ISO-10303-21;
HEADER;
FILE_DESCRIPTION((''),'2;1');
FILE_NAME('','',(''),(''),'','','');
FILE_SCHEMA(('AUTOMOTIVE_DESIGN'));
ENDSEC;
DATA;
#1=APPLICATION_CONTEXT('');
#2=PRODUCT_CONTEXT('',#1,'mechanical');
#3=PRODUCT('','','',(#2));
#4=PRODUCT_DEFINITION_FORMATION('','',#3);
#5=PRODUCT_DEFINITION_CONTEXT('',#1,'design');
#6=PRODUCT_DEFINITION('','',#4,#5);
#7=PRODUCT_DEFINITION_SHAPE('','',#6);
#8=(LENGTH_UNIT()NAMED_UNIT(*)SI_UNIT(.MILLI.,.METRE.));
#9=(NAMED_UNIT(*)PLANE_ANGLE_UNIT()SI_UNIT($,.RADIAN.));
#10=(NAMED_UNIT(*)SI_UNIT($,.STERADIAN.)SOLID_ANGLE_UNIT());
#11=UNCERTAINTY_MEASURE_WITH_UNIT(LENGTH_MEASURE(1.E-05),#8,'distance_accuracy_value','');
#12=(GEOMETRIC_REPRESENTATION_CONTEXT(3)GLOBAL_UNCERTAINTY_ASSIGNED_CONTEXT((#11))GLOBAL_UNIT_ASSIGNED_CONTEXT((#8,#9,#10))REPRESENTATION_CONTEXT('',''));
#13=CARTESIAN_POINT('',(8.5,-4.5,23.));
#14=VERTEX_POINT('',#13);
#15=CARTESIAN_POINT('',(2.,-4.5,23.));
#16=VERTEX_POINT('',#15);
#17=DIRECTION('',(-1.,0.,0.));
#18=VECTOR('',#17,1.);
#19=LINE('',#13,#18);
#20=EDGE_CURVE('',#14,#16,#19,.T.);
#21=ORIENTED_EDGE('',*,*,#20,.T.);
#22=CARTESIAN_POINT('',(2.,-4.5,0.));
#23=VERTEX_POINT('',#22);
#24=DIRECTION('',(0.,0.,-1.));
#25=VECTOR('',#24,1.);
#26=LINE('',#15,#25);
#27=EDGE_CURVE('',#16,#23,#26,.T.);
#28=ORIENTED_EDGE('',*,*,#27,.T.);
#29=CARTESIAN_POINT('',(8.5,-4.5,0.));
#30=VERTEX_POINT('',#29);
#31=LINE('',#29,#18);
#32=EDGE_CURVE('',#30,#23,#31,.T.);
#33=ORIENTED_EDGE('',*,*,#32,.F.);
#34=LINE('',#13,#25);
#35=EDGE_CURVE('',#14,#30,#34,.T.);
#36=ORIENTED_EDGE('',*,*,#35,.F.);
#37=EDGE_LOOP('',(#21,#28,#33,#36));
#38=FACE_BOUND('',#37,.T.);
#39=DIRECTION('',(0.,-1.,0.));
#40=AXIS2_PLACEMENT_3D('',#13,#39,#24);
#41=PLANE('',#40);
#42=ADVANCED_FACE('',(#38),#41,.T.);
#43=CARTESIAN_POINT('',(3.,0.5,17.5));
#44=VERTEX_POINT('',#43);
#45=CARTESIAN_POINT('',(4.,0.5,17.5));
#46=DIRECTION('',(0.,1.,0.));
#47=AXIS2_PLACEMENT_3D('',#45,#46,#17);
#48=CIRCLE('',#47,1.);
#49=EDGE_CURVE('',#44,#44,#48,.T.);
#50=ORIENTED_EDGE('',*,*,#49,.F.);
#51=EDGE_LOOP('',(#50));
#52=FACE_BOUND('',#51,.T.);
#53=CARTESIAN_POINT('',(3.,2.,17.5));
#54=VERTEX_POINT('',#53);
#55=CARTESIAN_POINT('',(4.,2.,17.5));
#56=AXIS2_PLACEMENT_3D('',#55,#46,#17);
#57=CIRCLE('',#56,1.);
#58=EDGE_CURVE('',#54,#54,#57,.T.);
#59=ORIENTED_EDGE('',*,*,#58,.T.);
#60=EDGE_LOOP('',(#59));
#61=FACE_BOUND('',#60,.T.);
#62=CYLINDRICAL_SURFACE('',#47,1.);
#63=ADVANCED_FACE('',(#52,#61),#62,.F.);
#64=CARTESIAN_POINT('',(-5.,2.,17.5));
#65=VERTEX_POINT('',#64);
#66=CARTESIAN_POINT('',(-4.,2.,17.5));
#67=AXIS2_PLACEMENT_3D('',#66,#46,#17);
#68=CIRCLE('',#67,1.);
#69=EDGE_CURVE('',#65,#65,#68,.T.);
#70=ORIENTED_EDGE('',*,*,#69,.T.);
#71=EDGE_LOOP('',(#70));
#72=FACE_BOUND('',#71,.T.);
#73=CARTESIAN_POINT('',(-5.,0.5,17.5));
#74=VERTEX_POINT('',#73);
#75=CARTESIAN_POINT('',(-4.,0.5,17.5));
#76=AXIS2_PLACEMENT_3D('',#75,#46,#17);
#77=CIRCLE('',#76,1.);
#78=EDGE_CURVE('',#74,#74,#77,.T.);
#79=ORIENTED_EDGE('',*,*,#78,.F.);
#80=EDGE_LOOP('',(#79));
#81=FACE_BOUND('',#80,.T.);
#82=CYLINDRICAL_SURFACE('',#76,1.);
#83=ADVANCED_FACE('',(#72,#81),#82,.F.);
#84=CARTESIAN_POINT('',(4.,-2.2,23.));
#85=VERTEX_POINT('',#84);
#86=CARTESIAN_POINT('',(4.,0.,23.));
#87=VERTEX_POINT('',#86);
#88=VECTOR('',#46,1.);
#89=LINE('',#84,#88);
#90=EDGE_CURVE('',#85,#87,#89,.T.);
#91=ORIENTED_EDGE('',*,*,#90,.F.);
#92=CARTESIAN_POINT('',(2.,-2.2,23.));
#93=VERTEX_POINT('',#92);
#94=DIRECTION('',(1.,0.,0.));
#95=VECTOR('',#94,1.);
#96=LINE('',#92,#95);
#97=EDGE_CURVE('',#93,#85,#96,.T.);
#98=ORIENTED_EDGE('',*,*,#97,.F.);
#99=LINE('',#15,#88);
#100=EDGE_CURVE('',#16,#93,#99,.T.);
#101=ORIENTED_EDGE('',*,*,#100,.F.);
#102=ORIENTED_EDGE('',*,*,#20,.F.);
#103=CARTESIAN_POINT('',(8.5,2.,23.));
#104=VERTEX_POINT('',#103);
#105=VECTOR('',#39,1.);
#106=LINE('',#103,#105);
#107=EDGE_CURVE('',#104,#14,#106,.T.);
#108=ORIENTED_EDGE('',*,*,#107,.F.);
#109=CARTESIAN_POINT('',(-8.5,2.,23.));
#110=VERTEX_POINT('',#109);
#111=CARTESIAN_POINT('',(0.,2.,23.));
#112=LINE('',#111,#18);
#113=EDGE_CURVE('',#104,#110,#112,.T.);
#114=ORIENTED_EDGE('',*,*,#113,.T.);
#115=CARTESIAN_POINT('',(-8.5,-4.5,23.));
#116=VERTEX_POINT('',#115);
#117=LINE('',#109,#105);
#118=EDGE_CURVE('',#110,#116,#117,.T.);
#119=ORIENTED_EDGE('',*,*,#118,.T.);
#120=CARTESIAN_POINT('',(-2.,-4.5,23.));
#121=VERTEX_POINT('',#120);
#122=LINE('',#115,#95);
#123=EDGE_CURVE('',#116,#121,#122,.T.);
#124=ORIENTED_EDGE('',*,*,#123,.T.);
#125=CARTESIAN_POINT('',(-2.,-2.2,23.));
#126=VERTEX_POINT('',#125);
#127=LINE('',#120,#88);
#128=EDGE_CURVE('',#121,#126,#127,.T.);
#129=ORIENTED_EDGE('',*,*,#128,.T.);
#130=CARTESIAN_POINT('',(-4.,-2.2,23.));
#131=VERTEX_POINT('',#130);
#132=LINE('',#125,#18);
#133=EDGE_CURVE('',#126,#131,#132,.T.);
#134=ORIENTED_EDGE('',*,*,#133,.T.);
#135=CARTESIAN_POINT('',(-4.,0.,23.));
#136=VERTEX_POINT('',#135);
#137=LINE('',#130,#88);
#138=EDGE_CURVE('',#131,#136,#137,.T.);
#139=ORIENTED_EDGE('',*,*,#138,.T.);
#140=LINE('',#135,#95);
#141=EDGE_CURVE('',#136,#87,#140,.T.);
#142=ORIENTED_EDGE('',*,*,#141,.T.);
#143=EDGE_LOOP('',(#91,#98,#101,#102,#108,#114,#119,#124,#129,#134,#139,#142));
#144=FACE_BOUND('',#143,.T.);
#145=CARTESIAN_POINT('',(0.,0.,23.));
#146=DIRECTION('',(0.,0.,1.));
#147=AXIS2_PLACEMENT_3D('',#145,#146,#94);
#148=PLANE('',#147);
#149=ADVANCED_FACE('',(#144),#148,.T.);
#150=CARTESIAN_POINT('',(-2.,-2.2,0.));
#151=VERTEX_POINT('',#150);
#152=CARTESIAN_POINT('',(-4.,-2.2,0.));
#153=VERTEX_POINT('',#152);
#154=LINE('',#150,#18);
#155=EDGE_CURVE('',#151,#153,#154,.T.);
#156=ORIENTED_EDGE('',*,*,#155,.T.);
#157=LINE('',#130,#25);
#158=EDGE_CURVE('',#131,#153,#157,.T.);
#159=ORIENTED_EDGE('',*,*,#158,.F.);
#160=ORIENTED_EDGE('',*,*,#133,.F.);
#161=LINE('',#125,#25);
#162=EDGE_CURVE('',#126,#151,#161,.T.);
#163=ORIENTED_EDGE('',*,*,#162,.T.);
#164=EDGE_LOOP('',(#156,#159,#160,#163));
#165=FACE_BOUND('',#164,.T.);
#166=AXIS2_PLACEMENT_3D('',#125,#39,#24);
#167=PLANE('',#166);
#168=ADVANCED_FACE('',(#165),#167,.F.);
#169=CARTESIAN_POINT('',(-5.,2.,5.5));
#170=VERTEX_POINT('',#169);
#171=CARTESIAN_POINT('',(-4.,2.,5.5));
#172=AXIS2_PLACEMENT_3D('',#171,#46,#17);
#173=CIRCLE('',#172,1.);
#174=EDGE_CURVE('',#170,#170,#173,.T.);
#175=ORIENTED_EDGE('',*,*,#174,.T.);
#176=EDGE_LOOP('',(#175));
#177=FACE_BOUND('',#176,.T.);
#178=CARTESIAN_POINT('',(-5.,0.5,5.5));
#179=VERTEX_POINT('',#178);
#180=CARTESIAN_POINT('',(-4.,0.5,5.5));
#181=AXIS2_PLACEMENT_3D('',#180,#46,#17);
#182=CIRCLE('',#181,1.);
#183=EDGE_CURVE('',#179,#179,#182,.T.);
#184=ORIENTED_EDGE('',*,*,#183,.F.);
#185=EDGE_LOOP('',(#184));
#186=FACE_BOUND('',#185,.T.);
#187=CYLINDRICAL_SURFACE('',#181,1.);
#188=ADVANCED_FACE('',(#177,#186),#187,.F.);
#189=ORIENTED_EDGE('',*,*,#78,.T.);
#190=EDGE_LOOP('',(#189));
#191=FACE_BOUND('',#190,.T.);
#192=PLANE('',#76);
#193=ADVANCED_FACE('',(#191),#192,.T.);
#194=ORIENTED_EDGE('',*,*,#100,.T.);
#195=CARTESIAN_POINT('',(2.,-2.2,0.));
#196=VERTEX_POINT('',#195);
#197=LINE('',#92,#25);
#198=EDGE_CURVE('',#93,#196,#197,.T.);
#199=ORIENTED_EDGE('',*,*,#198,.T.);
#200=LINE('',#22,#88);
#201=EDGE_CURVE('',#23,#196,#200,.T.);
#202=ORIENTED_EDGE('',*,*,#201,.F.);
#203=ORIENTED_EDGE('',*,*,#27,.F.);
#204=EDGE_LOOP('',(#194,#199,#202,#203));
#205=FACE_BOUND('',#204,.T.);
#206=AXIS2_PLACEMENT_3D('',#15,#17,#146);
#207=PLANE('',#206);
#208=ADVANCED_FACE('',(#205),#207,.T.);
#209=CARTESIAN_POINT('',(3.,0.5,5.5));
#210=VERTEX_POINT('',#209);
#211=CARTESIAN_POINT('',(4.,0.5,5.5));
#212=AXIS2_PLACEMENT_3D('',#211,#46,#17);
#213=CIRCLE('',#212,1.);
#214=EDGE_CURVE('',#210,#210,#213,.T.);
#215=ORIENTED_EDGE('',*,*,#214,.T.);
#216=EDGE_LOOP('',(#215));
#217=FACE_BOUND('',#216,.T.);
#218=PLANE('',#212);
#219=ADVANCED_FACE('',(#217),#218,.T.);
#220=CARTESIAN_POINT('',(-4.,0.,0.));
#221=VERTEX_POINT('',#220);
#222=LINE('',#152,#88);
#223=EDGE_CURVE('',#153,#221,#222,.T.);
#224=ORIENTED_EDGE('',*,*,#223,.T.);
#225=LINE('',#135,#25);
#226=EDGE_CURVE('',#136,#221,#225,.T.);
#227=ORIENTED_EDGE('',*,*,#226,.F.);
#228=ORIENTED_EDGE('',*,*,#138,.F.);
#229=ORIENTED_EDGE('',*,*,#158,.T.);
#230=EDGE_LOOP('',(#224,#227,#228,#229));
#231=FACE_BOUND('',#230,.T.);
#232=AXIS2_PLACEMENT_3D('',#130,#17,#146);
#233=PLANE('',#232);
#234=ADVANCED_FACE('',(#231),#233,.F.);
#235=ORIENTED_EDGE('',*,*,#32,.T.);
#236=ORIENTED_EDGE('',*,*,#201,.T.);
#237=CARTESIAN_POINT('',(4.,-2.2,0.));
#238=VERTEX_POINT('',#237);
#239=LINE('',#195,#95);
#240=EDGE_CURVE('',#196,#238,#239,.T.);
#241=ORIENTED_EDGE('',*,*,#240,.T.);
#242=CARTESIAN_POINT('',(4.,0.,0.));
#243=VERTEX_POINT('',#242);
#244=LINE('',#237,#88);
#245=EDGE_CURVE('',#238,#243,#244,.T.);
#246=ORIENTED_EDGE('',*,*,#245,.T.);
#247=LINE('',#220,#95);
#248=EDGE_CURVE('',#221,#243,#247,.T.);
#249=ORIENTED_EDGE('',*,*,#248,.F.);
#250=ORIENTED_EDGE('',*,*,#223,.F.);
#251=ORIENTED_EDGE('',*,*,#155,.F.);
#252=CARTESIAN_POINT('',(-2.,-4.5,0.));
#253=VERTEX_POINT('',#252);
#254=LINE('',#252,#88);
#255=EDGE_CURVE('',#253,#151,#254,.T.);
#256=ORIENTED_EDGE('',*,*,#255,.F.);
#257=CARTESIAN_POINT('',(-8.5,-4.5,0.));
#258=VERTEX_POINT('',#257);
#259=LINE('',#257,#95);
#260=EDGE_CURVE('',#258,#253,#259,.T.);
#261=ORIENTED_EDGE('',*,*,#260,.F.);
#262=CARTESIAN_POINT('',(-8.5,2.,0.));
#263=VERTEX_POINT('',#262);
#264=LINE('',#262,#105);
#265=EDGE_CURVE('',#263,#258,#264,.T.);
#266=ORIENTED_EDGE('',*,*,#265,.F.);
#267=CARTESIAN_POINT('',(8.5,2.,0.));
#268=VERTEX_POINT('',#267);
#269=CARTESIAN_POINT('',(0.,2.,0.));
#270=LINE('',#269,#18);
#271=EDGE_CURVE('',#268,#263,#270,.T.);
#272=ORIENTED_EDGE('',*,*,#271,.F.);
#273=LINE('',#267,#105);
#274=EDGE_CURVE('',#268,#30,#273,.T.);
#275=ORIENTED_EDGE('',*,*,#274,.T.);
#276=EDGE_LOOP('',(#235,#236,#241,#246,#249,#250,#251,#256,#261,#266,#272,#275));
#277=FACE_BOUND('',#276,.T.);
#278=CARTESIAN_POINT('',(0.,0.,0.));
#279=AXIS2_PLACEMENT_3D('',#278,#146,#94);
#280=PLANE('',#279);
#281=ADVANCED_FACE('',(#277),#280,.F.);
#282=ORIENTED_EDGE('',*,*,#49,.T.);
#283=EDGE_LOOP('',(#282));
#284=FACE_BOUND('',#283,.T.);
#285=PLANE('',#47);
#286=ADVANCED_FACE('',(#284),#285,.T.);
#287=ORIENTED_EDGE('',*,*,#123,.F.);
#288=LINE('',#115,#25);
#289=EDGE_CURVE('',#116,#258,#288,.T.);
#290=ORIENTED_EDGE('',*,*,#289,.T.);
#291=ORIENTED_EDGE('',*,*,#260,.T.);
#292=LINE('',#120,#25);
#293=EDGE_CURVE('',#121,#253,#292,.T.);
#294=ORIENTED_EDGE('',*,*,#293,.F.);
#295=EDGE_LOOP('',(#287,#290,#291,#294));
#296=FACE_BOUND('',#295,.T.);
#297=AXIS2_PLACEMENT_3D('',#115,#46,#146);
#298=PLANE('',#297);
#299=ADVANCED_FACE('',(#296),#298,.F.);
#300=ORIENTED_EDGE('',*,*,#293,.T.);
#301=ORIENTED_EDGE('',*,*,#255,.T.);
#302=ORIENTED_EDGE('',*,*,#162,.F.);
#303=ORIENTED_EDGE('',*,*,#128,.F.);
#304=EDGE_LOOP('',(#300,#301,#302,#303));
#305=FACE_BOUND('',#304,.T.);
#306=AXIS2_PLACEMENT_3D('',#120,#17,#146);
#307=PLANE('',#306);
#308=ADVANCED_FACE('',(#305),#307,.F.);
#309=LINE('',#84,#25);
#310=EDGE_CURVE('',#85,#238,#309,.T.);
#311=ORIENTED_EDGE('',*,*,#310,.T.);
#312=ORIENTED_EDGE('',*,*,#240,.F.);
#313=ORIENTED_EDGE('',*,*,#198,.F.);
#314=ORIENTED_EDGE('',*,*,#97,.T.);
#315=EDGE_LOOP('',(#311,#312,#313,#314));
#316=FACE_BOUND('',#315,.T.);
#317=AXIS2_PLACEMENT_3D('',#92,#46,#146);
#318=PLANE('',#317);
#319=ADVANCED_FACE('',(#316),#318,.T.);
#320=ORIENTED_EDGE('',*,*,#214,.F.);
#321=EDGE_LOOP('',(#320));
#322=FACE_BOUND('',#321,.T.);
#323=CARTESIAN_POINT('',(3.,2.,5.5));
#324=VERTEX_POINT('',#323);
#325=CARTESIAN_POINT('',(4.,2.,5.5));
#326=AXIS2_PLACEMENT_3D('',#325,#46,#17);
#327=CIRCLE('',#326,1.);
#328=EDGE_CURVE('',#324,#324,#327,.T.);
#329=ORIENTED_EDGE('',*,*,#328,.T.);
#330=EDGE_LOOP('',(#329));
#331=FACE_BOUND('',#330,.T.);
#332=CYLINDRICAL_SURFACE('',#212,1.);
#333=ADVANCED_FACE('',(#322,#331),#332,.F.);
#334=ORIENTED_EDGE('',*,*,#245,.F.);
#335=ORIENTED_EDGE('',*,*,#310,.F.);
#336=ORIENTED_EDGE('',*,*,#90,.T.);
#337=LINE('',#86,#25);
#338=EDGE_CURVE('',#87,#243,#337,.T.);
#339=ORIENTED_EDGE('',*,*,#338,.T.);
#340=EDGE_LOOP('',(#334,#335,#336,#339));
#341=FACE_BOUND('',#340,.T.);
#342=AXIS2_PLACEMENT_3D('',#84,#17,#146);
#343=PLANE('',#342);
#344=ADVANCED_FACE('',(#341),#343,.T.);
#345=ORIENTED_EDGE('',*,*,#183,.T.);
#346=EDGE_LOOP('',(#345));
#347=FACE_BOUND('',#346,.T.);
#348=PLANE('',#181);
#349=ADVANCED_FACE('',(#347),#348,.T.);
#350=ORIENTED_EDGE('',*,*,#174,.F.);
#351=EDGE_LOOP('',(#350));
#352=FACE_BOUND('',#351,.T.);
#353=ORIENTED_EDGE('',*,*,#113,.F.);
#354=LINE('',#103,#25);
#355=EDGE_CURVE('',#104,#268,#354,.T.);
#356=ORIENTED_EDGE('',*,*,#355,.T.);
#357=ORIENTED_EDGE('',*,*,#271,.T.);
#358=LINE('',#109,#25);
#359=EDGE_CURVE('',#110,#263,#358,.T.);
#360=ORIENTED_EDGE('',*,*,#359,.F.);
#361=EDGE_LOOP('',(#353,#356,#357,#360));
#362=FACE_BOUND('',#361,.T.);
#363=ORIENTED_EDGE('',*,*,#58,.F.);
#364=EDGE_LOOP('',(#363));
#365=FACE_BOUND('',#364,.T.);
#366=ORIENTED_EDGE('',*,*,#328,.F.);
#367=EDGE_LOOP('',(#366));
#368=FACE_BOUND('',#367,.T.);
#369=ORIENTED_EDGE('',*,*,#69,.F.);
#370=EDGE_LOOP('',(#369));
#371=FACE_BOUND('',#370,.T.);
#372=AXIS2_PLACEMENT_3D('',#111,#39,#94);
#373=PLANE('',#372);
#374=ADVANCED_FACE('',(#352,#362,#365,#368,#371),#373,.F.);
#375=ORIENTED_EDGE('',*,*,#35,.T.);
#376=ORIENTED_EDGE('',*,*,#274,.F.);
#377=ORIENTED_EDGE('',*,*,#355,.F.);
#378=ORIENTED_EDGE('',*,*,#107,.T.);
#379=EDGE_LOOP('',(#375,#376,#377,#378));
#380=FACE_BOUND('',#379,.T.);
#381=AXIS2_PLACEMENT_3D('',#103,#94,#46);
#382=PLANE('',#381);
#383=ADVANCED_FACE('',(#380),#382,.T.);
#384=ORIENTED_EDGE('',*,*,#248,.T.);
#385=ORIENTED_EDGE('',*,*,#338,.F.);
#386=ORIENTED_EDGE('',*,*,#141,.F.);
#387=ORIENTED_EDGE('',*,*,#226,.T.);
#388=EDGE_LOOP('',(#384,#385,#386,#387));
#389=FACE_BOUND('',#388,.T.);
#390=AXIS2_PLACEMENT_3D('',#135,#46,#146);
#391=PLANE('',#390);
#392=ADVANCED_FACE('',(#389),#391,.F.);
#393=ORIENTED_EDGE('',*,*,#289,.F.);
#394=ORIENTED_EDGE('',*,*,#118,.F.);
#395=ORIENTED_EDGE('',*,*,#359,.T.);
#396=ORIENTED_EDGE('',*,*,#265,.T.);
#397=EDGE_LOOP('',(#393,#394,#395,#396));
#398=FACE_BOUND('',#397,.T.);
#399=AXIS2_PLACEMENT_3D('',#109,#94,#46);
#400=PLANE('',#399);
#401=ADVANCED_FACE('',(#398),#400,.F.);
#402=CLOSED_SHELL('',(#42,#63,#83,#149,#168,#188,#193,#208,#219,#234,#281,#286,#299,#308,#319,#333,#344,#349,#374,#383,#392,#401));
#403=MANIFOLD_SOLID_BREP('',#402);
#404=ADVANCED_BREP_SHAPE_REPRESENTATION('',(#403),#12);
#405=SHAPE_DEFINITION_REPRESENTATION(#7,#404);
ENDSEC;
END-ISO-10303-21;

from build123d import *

# Parameters (mm, degrees)
DODANIE_WYCI_GNI_CIE1_DEPTH = 23
SZKIC2_R                    = 1
WYTNIJ_WYCI_GNI_CIE1_DEPTH  = 1.5


with BuildPart() as part:
    # Szkic1 → Dodanie-wyciągnięcie1 (new body)
    with BuildSketch(Plane.XY):
        Polygon((0, 0), (0, 2), (-8.5, 2), (-8.5, -4.5), (-2, -4.5), (-2, -2.2), (-4, -2.2), (-4, 0), align=None)
    dodanie_wyci_gni_cie1 = extrude(amount=DODANIE_WYCI_GNI_CIE1_DEPTH)

    # Lustro1: Dodanie-wyciągnięcie1 across plane
    add(dodanie_wyci_gni_cie1.mirror(Plane(origin=(0, 0, 23), x_dir=(0, 0, 1), z_dir=(-1, 0, 0))))

    # Szkic2 → Wytnij-wyciągnięcie1 (cut)
    with BuildSketch(Plane(origin=(0, 2, 0), x_dir=(1, 0, 0), z_dir=(0, 1, 0))):
        with Locations(Location((-4, -5.5, 0), (0, 0, 180))):
            Circle(SZKIC2_R)
        with Locations(Location((4, -5.5, 0), (0, 0, 180))):
            Circle(SZKIC2_R)
        with Locations(Location((4, -17.5, 0), (0, 0, 180))):
            Circle(SZKIC2_R)
        with Locations(Location((-4, -17.5, 0), (0, 0, 180))):
            Circle(SZKIC2_R)
    extrude(amount=-WYTNIJ_WYCI_GNI_CIE1_DEPTH, mode=Mode.SUBTRACT)


solid = part.part
